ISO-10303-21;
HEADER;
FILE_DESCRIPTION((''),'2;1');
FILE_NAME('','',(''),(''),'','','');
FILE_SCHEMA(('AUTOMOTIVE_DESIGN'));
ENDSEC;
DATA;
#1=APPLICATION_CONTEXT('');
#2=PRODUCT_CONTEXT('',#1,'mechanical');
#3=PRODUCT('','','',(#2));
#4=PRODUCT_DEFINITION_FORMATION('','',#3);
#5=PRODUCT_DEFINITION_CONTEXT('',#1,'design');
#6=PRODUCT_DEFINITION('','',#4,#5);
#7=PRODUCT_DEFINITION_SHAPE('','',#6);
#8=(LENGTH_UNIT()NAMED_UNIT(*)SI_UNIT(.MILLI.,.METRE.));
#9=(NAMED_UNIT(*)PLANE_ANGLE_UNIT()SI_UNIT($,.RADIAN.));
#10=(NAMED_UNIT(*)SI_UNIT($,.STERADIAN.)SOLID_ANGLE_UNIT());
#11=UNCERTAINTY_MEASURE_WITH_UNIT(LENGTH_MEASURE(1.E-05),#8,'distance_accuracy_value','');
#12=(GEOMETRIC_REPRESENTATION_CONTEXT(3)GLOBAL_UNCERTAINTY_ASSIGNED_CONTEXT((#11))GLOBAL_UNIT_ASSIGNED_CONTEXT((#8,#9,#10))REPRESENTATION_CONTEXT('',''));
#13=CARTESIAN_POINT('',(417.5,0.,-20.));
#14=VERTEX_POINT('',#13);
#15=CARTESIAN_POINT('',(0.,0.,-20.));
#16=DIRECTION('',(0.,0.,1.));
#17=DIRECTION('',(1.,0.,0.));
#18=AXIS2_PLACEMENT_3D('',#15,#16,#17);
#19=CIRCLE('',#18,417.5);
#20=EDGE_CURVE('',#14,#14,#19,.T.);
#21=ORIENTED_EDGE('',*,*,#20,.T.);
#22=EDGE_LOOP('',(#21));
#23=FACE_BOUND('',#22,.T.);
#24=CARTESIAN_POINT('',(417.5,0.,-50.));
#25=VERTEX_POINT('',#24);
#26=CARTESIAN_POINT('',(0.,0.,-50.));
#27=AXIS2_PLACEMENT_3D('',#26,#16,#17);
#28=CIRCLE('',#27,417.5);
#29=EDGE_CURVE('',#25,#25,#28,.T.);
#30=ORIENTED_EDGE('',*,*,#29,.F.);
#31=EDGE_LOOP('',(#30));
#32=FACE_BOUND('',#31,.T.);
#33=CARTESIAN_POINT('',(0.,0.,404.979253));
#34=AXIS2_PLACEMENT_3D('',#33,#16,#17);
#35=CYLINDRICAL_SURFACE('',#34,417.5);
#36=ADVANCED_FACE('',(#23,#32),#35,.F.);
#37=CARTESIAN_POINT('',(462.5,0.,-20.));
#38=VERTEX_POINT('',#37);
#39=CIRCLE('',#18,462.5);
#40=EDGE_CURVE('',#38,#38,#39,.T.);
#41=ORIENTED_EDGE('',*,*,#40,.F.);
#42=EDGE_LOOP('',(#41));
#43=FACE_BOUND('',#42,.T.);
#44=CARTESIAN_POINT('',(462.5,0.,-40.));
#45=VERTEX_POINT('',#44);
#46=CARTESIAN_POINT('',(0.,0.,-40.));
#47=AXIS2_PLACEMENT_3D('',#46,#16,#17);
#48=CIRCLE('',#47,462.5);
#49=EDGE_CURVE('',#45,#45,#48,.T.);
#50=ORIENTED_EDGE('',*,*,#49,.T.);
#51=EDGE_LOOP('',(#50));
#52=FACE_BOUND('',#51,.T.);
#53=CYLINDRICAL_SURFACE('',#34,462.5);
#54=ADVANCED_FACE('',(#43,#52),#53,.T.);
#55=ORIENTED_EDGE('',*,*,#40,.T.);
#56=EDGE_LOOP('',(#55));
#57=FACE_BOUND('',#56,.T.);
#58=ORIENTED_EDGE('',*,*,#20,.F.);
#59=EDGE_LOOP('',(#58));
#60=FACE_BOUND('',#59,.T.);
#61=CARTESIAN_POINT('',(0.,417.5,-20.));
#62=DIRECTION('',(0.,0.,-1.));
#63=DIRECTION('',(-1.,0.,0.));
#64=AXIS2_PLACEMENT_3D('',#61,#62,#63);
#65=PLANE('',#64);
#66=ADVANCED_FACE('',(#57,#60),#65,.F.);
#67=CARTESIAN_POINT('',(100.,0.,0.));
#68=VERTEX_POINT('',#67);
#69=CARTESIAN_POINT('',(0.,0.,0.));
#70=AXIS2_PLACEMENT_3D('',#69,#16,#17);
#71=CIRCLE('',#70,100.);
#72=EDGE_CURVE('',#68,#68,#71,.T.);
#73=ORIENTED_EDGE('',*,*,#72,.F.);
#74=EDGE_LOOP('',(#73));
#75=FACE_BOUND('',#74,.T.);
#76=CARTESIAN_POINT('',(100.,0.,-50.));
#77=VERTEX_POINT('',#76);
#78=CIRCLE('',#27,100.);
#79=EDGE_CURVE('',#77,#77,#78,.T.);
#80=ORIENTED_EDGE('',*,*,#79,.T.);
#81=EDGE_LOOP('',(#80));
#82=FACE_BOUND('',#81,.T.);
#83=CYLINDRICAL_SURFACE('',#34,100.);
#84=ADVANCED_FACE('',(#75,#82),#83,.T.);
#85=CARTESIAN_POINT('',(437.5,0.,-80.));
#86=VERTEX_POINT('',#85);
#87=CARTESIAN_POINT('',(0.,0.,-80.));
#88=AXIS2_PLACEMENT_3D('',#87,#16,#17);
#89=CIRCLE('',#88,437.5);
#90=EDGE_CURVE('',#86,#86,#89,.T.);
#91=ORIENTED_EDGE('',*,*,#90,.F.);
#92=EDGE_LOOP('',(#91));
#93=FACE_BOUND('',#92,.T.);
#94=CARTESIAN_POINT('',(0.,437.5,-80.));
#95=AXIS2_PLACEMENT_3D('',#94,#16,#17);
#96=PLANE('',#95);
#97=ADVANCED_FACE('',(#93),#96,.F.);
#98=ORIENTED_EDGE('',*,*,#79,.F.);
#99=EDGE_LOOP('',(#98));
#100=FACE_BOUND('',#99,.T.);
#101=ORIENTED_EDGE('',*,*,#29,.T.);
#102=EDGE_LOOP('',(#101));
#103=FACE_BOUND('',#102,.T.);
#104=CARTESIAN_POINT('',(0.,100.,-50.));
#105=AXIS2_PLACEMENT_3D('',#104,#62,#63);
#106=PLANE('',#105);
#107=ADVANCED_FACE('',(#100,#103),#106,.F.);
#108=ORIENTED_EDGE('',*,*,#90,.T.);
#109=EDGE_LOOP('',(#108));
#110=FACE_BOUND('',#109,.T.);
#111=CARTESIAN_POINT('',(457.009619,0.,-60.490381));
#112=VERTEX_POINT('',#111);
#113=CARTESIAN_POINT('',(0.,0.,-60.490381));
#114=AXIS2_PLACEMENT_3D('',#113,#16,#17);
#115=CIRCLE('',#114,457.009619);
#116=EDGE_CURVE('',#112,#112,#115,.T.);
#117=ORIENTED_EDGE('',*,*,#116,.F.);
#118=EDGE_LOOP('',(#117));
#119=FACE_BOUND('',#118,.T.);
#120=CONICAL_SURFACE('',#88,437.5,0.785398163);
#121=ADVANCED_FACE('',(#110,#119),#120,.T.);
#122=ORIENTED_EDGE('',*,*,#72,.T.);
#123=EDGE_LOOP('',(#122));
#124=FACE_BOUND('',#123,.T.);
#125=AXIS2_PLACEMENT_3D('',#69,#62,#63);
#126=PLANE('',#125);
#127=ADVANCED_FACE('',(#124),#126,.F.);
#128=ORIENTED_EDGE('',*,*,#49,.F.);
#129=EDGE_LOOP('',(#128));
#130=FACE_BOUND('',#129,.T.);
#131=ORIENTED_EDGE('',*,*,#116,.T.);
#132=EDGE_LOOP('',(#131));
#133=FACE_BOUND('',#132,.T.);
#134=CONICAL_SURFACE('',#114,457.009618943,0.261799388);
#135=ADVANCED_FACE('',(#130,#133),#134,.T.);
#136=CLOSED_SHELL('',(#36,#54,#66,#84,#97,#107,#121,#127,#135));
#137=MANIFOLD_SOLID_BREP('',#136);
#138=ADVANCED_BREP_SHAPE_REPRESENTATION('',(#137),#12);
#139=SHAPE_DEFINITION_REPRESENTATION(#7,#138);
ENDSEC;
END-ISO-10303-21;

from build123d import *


with BuildPart() as part:
    # Sketch1 → Revolve1 (revolve)
    with BuildSketch(Plane(origin=(0, 0, 0), x_dir=(0, 0, -1), z_dir=(1, 0, 0)), mode=Mode.PRIVATE) as revolve1_sk:
        Polygon((0, 0), (0, 100), (50, 100), (50, 417.5), (20, 417.5), (20, 462.5), (40, 462.5), (60.490381057, 457.009618943), (80, 437.5), (80, 0), align=None)
    revolve(revolve1_sk.sketch.rotate(Axis((0, 0, 404.979253112), (0, 0, -1)), 90), axis=Axis((0, 0, 404.979253112), (0, 0, -1)))


solid = part.part
